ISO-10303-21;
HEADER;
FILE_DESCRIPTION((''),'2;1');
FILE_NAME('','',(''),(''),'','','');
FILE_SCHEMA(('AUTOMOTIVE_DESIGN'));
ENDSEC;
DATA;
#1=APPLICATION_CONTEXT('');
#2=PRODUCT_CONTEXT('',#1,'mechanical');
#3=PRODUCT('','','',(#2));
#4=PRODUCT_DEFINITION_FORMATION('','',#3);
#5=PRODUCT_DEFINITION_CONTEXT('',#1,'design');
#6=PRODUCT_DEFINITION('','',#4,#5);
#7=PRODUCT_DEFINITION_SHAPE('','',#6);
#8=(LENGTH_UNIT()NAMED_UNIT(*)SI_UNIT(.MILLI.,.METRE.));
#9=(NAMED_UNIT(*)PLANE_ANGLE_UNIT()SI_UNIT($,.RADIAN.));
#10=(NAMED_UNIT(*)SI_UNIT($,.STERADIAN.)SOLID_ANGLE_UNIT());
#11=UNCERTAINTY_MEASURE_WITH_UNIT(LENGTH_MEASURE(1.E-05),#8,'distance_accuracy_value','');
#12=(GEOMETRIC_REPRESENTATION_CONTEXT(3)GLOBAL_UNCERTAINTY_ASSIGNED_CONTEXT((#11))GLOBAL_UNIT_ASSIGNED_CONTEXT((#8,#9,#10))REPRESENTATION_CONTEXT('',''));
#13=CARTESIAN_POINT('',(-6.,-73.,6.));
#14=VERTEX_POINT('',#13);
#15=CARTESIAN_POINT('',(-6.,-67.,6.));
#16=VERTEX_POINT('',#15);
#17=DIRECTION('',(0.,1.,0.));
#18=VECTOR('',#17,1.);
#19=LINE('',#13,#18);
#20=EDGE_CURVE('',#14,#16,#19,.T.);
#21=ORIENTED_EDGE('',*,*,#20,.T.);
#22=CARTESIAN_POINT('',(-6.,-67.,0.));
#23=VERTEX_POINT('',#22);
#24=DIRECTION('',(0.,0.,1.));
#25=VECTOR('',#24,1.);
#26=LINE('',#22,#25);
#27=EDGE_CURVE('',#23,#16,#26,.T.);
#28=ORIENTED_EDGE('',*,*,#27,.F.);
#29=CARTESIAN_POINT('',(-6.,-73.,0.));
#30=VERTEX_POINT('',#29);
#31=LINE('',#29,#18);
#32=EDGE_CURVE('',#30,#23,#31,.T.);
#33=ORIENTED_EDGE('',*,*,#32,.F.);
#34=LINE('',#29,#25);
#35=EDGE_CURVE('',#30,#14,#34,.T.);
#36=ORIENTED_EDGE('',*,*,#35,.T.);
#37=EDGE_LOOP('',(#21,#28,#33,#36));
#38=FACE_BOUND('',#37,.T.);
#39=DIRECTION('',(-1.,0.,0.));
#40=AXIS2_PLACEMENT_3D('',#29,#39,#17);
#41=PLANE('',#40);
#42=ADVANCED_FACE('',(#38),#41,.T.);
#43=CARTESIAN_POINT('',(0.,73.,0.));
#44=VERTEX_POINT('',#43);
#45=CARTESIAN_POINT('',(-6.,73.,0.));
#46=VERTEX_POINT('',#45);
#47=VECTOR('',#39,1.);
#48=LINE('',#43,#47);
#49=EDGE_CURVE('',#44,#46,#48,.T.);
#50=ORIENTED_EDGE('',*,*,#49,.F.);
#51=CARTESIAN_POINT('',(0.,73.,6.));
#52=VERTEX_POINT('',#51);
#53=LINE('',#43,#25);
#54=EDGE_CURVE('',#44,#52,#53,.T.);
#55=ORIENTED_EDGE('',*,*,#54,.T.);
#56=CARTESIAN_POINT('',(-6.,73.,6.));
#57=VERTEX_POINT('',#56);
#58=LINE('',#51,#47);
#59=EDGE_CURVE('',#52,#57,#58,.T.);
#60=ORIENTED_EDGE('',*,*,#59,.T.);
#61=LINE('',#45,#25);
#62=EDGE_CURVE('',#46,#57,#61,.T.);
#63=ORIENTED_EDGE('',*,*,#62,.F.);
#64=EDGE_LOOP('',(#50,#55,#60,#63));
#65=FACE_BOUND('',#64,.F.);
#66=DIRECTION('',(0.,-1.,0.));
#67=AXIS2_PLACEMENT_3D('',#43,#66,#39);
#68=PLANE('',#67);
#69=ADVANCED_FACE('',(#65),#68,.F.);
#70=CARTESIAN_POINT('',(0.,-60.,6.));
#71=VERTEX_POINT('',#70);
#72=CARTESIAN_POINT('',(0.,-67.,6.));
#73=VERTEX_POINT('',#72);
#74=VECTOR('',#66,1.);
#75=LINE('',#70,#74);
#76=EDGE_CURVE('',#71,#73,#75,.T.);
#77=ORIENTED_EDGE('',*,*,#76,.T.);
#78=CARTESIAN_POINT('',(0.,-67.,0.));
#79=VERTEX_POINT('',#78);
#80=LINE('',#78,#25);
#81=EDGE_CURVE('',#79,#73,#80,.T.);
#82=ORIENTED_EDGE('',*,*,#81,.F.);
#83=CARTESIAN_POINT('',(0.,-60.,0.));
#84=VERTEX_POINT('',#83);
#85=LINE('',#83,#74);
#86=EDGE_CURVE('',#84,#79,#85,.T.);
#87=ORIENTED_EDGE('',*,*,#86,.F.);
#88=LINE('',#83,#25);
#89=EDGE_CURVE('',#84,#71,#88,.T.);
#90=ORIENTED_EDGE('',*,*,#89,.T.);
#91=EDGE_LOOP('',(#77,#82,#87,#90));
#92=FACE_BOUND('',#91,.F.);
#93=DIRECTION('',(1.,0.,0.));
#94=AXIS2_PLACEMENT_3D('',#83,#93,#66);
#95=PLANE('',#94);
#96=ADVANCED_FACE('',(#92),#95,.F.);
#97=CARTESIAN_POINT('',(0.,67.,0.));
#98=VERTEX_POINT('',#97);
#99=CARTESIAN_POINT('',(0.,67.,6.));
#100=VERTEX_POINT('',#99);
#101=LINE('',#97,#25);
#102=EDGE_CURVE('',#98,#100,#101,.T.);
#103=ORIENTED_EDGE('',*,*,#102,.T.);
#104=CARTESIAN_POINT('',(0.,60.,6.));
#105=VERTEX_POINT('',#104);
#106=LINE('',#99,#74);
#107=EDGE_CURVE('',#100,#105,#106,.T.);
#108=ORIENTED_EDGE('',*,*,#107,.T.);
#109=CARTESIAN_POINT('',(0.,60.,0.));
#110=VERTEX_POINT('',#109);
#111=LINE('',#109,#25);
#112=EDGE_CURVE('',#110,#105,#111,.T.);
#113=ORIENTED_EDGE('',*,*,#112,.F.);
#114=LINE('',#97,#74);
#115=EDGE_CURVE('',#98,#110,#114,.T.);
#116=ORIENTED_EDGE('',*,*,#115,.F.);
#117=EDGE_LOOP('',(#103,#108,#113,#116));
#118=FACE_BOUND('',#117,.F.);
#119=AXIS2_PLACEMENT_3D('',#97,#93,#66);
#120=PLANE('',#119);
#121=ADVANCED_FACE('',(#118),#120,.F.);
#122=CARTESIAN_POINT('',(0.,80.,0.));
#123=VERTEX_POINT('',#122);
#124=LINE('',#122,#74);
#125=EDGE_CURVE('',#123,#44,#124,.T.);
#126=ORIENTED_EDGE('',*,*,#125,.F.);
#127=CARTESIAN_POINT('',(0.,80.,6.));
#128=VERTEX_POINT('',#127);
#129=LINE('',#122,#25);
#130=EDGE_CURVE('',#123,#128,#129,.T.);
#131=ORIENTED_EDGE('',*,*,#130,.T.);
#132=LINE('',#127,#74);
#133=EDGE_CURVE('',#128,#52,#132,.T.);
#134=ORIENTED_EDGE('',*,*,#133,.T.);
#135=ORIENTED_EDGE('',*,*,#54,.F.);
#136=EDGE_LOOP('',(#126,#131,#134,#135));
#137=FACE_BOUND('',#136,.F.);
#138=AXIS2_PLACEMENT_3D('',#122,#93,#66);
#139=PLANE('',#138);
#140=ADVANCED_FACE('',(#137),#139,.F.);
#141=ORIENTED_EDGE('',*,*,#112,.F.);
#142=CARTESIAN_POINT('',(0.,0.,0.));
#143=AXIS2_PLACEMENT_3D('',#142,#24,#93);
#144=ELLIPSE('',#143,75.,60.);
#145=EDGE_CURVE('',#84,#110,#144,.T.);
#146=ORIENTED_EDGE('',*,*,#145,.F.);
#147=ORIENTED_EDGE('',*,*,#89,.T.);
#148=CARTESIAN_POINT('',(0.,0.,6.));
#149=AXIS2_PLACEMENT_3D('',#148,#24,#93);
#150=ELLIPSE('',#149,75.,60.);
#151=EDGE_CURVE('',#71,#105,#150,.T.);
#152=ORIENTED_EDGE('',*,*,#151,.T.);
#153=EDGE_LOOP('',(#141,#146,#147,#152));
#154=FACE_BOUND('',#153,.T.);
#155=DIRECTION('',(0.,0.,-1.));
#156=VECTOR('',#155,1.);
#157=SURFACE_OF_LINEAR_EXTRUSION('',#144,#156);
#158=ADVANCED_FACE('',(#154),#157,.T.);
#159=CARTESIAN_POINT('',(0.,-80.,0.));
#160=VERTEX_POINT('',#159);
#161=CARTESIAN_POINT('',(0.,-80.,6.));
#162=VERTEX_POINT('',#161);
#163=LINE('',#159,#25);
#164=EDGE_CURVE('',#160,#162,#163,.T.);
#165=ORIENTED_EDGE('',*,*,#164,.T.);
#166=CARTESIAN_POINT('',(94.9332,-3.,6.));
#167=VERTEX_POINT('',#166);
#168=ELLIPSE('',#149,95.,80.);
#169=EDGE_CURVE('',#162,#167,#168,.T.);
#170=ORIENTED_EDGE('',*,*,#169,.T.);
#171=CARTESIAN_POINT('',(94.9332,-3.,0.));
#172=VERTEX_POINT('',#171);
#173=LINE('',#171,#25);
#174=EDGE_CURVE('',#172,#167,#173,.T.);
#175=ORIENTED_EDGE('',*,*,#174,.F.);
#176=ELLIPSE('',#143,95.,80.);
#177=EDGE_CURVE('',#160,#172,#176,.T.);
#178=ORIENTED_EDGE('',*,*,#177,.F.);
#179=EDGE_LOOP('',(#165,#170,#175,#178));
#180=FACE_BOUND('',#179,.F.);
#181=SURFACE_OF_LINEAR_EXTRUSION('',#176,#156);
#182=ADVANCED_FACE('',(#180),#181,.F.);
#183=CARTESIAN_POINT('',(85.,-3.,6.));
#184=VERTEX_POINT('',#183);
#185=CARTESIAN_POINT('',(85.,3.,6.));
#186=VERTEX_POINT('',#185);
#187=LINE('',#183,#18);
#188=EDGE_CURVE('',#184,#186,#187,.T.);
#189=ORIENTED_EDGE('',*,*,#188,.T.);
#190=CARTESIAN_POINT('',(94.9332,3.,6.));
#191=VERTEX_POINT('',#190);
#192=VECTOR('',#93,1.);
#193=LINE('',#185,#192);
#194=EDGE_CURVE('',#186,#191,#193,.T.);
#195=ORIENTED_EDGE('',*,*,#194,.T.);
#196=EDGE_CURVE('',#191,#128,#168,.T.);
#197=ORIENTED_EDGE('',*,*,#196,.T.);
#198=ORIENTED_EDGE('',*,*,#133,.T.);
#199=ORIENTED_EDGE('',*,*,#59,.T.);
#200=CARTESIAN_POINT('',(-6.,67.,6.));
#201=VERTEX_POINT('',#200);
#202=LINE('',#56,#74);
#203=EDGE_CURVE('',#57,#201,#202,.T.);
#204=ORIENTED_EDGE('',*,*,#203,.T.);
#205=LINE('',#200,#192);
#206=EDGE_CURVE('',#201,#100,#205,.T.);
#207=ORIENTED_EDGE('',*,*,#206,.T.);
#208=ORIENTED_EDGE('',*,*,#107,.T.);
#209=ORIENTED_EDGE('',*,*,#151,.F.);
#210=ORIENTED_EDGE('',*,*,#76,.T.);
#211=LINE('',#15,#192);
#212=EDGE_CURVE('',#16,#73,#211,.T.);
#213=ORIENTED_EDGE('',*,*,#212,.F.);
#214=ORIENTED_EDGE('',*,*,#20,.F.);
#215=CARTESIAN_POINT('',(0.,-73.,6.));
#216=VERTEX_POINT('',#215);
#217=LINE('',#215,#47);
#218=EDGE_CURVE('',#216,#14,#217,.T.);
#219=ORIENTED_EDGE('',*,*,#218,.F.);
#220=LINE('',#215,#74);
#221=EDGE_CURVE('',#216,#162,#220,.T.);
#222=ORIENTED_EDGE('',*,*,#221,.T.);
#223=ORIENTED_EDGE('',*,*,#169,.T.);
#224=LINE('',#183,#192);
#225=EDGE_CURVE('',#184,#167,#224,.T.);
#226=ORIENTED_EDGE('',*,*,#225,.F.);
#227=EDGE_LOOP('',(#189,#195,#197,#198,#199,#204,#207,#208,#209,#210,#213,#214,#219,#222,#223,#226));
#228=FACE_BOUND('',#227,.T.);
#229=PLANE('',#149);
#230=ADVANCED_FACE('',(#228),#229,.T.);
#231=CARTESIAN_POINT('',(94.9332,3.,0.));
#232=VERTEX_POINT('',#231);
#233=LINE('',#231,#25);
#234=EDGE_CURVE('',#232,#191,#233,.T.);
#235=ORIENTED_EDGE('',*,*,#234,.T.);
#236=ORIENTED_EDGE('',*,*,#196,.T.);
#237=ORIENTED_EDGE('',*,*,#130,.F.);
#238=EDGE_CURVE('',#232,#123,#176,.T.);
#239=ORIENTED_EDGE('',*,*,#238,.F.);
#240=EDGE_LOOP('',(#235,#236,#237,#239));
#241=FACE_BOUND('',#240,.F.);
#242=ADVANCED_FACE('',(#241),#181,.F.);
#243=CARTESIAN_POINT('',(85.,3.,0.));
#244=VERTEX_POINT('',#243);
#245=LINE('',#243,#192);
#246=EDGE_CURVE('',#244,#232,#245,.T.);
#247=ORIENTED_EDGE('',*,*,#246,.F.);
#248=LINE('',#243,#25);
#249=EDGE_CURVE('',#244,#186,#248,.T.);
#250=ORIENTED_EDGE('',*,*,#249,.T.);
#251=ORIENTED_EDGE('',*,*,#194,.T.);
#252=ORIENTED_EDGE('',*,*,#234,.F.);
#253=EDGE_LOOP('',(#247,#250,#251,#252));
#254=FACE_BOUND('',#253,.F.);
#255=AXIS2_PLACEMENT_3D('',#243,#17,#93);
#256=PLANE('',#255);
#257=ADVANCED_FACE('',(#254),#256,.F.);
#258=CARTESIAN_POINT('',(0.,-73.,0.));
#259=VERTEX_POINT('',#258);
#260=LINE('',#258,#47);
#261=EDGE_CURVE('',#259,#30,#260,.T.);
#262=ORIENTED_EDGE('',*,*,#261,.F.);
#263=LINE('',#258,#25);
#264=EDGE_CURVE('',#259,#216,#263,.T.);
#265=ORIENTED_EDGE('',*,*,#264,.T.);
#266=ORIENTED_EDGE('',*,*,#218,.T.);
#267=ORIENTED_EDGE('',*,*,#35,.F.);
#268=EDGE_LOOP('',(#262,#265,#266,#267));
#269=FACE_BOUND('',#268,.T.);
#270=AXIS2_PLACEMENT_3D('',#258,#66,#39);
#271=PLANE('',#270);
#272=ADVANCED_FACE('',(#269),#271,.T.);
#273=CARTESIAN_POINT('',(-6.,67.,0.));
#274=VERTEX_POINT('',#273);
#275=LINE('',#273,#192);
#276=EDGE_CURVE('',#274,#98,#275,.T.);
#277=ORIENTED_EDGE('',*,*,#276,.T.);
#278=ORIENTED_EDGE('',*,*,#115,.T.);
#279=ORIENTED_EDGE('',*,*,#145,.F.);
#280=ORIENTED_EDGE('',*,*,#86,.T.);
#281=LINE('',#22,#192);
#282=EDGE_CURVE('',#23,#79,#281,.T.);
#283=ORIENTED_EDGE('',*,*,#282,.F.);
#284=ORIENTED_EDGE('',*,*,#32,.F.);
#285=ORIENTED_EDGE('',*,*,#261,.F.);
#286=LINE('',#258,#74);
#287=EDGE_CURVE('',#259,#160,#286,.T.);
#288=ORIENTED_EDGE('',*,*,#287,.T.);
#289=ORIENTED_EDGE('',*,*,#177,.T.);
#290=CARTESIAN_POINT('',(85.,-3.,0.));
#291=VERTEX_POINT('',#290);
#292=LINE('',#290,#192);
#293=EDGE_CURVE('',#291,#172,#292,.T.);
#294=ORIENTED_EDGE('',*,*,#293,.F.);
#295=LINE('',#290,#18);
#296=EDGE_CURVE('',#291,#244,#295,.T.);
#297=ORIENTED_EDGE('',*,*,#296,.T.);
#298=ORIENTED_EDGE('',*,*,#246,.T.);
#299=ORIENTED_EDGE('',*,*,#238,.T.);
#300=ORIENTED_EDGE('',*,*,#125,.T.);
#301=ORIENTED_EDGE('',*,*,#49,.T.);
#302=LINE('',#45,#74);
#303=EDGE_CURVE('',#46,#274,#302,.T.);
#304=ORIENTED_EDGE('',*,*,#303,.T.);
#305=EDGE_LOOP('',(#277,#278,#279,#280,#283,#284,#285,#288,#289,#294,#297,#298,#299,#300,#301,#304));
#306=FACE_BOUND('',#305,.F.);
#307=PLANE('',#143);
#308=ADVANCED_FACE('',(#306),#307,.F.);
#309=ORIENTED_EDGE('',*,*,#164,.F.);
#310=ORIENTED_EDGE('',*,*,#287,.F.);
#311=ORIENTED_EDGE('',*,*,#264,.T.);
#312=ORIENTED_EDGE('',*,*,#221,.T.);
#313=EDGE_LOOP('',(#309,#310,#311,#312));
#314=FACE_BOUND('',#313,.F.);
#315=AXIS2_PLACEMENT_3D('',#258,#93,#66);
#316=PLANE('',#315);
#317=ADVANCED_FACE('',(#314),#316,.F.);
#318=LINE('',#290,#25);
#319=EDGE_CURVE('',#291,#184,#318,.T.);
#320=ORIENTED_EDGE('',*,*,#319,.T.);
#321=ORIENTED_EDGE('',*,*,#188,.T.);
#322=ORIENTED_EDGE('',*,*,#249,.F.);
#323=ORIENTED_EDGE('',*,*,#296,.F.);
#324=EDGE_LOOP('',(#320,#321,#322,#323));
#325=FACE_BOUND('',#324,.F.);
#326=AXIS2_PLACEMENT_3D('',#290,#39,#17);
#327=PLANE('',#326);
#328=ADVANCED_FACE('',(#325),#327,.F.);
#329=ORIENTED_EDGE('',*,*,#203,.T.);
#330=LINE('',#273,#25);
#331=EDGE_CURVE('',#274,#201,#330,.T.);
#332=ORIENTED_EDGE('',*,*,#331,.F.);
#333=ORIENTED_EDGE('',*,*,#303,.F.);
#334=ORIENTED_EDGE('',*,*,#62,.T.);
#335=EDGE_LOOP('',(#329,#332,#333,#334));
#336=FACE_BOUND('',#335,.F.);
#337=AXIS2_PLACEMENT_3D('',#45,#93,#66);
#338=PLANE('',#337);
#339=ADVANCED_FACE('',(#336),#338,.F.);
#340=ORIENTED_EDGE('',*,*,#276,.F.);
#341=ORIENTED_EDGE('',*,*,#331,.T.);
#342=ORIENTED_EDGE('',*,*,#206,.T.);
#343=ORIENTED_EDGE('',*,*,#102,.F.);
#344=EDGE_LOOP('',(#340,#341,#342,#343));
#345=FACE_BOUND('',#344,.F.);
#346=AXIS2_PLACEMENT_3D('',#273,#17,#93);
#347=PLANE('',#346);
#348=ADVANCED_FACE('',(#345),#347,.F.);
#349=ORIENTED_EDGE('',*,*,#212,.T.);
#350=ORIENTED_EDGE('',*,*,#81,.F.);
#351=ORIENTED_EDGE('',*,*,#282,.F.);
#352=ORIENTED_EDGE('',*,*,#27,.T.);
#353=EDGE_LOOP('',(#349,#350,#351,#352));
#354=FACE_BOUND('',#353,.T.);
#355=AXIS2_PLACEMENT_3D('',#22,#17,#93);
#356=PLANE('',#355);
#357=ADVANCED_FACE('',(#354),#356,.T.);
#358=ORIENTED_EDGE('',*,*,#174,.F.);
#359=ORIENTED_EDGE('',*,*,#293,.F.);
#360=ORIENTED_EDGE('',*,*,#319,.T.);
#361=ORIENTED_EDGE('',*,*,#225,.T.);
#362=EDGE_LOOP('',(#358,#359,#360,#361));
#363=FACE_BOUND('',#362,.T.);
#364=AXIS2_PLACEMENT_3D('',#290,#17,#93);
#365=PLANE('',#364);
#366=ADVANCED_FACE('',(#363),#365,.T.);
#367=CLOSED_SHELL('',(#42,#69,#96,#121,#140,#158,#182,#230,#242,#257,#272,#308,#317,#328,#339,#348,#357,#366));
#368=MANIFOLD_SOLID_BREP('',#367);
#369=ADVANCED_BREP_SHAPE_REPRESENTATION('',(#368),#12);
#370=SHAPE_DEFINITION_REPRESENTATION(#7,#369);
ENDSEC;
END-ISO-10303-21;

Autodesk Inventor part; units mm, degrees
ref_plane "YZ Plane" through (0, 0, 0) normal (1, 0, 0) x (0, 1, 0)
ref_plane "XZ Plane" through (0, 0, 0) normal (0, 1, 0) x (-1, 0, 0)
ref_plane "XY Plane" through (0, 0, 0) normal (0, 0, 1) x (1, 0, 0)
sketch "Sketch1" plane through (0, 0, 0) normal (0, 0, 1) x (1, 0, 0)
  ellipse E0 centre (0, 0) end of major axis (95, 0) minor radius 80 (0, -80) -> (0, 80) ccw
  ellipse E1 centre (0, 0) end of major axis (75, 0) minor radius 60 (0, -60) -> (0, 60) ccw
  line L0 (0, 80) -> (0, 73)
  line L1 (0, 73) -> (-6, 73)
  line L2 (-6, 73) -> (-6, 67)
  line L3 (-6, 67) -> (0, 67)
  line L4 (0, 67) -> (0, 60)
  line L5 (75, 0) -> (95, 0) construction
  line L6 (0, -73) -> (-6, -73)
  line L7 (-6, -73) -> (-6, -67)
  line L8 (-6, -67) -> (0, -67)
  line L9 (0, -60) -> (0, -67)
  line L10 (0, -73) -> (0, -80)
  line L11 (85, -35.7275) -> (85, 35.7275) construction
  line L12 (85, -3) -> (85, 3)
  line L13 (85, 3) -> (94.9332, 3)
  line L14 (85, -3) -> (94.9332, -3)
  point P0 (85, 0)
  dimension "d0" = 80
  dimension "d2" = 75
  dimension "d3" = 60
  dimension "d4" = 95
  dimension "d6" = 6
  dimension "d7" = 6
extrude "Extrusion1" add sketch "Sketch1" along normal blind 6 contours L10 L6 L7 L8 L9 E1 L4 L3 L2 L1 L0 E0 L13 L12 L14
properties part number "Arch Rear Inner" material "Plywood, Sheathing"
